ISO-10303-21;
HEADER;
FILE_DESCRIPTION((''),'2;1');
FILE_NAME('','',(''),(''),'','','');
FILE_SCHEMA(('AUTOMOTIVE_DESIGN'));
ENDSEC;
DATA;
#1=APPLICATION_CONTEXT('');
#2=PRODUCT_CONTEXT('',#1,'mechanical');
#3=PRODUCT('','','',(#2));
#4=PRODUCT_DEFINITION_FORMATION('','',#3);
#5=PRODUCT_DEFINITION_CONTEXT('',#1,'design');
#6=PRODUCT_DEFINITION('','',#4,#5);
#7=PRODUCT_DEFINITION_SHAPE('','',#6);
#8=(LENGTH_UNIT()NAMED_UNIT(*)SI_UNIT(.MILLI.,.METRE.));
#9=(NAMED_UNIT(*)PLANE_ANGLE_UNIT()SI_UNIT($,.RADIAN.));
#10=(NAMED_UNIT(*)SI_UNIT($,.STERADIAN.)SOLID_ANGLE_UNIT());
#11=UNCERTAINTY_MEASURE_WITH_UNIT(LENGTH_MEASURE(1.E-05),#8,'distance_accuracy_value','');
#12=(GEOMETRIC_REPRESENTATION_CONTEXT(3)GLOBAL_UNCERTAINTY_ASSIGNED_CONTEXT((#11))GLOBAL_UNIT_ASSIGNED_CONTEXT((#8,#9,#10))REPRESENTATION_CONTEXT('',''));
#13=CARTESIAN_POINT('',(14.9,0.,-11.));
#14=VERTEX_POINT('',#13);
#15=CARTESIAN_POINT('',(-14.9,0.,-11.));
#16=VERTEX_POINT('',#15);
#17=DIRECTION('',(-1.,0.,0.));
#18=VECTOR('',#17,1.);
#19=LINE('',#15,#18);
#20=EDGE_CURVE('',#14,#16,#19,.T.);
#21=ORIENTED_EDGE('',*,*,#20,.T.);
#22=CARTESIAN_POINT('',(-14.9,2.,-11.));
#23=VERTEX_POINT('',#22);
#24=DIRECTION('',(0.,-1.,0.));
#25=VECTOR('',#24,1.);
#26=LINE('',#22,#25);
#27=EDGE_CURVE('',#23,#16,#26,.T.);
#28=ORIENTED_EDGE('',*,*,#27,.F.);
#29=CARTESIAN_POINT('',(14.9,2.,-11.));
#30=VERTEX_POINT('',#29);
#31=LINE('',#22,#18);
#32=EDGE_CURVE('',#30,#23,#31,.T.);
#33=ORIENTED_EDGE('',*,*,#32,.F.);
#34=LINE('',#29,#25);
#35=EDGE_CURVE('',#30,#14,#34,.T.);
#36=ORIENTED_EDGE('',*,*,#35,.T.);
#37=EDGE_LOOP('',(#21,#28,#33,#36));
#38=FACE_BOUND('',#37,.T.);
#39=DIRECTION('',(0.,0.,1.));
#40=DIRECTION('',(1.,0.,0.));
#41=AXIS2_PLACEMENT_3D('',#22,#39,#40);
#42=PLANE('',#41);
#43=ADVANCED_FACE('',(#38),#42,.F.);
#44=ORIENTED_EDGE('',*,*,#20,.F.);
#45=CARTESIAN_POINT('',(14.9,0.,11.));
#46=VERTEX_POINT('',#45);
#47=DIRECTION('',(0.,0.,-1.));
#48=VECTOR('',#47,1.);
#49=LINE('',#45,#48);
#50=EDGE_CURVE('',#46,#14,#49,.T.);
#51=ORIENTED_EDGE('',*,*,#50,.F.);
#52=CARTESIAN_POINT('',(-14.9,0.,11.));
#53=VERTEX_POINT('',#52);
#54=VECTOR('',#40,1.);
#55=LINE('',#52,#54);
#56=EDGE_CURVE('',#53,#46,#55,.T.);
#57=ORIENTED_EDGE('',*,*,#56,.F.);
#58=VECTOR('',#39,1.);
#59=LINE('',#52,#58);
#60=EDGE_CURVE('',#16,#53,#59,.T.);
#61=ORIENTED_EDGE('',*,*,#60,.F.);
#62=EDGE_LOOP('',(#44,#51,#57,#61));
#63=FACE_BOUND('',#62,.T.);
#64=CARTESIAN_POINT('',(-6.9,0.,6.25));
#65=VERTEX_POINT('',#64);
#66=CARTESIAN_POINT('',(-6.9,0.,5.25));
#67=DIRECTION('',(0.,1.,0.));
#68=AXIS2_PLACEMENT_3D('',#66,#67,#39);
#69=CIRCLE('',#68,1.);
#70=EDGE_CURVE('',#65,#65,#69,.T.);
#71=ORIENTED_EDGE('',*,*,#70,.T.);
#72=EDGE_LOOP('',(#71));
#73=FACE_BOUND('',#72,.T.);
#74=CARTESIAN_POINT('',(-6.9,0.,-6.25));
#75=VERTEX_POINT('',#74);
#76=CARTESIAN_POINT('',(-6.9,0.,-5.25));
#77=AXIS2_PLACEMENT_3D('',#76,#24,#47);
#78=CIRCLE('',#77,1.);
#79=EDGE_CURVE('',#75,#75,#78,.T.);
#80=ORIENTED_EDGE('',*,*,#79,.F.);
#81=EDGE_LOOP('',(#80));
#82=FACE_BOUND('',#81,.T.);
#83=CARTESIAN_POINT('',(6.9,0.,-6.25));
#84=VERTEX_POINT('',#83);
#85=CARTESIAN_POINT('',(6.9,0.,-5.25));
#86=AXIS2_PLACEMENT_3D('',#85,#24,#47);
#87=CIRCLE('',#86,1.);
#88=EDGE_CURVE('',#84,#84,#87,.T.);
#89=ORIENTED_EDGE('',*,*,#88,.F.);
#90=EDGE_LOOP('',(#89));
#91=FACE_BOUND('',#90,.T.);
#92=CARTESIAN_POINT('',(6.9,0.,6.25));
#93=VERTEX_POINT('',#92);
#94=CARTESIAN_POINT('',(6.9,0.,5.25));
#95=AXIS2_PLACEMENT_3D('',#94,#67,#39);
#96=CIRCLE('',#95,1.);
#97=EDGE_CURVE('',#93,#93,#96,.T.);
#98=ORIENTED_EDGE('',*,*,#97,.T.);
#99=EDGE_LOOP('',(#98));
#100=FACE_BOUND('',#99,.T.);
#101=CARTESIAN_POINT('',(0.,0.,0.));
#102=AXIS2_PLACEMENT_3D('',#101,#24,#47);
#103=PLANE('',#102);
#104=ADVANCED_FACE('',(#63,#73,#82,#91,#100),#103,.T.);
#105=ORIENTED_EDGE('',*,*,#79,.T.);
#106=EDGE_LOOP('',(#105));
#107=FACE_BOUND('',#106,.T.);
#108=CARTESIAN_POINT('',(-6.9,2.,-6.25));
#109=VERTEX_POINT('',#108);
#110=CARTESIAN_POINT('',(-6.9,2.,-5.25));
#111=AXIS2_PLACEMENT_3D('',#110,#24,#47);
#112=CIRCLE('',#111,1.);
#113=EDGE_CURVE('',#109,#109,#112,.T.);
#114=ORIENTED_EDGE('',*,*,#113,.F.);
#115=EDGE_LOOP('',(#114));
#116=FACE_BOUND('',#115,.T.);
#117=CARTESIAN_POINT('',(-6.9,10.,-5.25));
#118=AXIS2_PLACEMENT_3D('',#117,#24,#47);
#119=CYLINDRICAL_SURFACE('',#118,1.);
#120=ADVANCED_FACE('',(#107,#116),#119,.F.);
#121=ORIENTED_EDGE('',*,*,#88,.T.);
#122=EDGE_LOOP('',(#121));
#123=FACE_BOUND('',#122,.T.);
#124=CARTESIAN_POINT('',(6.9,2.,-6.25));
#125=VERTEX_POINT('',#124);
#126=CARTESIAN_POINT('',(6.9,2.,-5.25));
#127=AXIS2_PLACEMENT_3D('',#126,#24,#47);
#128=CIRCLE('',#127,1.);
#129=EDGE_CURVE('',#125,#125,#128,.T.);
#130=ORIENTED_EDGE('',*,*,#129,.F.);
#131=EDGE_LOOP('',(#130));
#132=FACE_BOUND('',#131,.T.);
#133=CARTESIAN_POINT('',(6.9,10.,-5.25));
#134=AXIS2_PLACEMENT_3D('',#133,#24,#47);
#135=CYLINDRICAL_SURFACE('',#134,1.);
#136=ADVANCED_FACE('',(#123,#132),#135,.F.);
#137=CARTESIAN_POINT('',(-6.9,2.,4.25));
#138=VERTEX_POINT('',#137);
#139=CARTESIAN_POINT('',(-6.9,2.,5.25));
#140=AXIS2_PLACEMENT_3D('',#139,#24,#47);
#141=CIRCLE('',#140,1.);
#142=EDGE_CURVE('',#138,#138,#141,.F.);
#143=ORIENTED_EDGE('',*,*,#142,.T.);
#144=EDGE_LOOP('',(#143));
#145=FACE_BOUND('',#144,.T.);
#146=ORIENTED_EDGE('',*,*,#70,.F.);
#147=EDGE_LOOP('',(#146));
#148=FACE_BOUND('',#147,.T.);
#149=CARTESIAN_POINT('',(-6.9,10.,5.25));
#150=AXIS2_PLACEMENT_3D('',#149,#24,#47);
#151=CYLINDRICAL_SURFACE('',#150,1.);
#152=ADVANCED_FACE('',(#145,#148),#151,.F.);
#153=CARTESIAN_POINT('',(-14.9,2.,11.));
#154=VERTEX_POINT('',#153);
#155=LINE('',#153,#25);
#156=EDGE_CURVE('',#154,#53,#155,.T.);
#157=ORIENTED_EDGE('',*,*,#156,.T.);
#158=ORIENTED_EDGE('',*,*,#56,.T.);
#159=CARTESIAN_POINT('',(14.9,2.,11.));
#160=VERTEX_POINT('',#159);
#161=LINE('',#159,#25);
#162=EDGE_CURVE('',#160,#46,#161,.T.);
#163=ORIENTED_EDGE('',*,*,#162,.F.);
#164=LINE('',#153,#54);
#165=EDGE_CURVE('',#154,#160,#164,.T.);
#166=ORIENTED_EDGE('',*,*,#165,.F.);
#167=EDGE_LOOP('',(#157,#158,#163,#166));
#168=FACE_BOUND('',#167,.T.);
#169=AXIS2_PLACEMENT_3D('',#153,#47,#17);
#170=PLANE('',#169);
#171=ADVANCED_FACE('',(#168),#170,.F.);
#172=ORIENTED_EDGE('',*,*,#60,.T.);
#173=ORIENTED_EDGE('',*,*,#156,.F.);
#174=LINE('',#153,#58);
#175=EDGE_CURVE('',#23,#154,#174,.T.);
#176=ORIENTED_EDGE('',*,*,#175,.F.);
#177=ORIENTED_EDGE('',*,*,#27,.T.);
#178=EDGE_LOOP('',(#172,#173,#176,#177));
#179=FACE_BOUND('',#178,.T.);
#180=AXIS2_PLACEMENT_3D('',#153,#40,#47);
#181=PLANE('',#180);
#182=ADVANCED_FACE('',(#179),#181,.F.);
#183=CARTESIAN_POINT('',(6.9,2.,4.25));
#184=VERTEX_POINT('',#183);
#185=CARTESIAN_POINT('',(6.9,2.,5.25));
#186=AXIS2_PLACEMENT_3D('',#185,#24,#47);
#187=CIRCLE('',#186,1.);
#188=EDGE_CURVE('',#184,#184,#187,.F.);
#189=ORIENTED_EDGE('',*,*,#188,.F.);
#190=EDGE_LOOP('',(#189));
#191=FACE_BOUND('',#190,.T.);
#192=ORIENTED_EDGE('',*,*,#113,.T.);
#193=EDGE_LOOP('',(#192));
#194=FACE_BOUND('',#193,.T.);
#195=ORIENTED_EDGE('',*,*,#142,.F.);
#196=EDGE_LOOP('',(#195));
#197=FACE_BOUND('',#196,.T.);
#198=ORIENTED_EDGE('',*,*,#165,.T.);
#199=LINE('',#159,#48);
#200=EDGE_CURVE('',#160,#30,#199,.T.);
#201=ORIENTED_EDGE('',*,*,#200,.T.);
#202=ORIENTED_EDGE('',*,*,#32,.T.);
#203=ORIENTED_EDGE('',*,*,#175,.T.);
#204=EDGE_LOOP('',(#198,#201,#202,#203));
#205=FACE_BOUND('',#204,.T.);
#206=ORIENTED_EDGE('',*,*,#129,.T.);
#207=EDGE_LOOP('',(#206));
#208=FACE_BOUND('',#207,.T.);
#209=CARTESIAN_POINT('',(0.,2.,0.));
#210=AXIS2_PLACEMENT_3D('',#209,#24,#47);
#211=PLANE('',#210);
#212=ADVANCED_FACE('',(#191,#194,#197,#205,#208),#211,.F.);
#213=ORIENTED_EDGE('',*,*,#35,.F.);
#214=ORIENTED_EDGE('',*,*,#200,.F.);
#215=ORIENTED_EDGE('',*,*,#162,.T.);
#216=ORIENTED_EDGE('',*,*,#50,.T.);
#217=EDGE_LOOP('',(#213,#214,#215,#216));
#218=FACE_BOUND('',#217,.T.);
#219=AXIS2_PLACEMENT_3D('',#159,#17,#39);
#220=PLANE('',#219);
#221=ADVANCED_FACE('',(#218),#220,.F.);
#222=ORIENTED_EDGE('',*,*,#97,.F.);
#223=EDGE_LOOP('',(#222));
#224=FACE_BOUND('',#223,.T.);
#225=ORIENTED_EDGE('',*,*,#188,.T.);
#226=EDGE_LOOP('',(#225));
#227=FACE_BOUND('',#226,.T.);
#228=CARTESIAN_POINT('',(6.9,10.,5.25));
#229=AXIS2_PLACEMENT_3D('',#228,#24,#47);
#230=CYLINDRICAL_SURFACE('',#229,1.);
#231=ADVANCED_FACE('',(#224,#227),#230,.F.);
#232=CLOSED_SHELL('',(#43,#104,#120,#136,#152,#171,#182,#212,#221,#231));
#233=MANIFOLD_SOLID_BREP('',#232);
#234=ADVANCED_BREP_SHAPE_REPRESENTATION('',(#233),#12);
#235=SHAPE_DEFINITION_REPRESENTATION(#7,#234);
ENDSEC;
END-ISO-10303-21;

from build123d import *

# Parameters (mm, degrees)
SKETCH1_W           = 29.8
SKETCH1_H           = 22
BOSS_EXTRUDE1_DEPTH = 2
SKETCH2_R           = 1
CUT_EXTRUDE2_DEPTH  = 10


with BuildPart() as part:
    # Sketch1 → Boss-Extrude1 (new body)
    with BuildSketch(Plane(origin=(0, 0, 0), x_dir=(1, 0, 0), z_dir=(0, 1, 0))):
        Rectangle(SKETCH1_W, SKETCH1_H)
    extrude(amount=BOSS_EXTRUDE1_DEPTH)

    # Sketch2 → Cut-Extrude2 (cut)
    with BuildSketch(Plane.XZ):
        with Locations((6.9, -5.25)):
            Circle(SKETCH2_R)
        with Locations((-6.9, -5.25)):
            Circle(SKETCH2_R)
    cut_extrude2 = extrude(amount=-CUT_EXTRUDE2_DEPTH, mode=Mode.SUBTRACT)

    # Mirror1: Cut-Extrude2 across plane
    add(cut_extrude2.mirror(Plane(origin=(0, 0, 0), x_dir=(1, 0, 0), z_dir=(0, 0, -1))), mode=Mode.SUBTRACT)


solid = part.part
